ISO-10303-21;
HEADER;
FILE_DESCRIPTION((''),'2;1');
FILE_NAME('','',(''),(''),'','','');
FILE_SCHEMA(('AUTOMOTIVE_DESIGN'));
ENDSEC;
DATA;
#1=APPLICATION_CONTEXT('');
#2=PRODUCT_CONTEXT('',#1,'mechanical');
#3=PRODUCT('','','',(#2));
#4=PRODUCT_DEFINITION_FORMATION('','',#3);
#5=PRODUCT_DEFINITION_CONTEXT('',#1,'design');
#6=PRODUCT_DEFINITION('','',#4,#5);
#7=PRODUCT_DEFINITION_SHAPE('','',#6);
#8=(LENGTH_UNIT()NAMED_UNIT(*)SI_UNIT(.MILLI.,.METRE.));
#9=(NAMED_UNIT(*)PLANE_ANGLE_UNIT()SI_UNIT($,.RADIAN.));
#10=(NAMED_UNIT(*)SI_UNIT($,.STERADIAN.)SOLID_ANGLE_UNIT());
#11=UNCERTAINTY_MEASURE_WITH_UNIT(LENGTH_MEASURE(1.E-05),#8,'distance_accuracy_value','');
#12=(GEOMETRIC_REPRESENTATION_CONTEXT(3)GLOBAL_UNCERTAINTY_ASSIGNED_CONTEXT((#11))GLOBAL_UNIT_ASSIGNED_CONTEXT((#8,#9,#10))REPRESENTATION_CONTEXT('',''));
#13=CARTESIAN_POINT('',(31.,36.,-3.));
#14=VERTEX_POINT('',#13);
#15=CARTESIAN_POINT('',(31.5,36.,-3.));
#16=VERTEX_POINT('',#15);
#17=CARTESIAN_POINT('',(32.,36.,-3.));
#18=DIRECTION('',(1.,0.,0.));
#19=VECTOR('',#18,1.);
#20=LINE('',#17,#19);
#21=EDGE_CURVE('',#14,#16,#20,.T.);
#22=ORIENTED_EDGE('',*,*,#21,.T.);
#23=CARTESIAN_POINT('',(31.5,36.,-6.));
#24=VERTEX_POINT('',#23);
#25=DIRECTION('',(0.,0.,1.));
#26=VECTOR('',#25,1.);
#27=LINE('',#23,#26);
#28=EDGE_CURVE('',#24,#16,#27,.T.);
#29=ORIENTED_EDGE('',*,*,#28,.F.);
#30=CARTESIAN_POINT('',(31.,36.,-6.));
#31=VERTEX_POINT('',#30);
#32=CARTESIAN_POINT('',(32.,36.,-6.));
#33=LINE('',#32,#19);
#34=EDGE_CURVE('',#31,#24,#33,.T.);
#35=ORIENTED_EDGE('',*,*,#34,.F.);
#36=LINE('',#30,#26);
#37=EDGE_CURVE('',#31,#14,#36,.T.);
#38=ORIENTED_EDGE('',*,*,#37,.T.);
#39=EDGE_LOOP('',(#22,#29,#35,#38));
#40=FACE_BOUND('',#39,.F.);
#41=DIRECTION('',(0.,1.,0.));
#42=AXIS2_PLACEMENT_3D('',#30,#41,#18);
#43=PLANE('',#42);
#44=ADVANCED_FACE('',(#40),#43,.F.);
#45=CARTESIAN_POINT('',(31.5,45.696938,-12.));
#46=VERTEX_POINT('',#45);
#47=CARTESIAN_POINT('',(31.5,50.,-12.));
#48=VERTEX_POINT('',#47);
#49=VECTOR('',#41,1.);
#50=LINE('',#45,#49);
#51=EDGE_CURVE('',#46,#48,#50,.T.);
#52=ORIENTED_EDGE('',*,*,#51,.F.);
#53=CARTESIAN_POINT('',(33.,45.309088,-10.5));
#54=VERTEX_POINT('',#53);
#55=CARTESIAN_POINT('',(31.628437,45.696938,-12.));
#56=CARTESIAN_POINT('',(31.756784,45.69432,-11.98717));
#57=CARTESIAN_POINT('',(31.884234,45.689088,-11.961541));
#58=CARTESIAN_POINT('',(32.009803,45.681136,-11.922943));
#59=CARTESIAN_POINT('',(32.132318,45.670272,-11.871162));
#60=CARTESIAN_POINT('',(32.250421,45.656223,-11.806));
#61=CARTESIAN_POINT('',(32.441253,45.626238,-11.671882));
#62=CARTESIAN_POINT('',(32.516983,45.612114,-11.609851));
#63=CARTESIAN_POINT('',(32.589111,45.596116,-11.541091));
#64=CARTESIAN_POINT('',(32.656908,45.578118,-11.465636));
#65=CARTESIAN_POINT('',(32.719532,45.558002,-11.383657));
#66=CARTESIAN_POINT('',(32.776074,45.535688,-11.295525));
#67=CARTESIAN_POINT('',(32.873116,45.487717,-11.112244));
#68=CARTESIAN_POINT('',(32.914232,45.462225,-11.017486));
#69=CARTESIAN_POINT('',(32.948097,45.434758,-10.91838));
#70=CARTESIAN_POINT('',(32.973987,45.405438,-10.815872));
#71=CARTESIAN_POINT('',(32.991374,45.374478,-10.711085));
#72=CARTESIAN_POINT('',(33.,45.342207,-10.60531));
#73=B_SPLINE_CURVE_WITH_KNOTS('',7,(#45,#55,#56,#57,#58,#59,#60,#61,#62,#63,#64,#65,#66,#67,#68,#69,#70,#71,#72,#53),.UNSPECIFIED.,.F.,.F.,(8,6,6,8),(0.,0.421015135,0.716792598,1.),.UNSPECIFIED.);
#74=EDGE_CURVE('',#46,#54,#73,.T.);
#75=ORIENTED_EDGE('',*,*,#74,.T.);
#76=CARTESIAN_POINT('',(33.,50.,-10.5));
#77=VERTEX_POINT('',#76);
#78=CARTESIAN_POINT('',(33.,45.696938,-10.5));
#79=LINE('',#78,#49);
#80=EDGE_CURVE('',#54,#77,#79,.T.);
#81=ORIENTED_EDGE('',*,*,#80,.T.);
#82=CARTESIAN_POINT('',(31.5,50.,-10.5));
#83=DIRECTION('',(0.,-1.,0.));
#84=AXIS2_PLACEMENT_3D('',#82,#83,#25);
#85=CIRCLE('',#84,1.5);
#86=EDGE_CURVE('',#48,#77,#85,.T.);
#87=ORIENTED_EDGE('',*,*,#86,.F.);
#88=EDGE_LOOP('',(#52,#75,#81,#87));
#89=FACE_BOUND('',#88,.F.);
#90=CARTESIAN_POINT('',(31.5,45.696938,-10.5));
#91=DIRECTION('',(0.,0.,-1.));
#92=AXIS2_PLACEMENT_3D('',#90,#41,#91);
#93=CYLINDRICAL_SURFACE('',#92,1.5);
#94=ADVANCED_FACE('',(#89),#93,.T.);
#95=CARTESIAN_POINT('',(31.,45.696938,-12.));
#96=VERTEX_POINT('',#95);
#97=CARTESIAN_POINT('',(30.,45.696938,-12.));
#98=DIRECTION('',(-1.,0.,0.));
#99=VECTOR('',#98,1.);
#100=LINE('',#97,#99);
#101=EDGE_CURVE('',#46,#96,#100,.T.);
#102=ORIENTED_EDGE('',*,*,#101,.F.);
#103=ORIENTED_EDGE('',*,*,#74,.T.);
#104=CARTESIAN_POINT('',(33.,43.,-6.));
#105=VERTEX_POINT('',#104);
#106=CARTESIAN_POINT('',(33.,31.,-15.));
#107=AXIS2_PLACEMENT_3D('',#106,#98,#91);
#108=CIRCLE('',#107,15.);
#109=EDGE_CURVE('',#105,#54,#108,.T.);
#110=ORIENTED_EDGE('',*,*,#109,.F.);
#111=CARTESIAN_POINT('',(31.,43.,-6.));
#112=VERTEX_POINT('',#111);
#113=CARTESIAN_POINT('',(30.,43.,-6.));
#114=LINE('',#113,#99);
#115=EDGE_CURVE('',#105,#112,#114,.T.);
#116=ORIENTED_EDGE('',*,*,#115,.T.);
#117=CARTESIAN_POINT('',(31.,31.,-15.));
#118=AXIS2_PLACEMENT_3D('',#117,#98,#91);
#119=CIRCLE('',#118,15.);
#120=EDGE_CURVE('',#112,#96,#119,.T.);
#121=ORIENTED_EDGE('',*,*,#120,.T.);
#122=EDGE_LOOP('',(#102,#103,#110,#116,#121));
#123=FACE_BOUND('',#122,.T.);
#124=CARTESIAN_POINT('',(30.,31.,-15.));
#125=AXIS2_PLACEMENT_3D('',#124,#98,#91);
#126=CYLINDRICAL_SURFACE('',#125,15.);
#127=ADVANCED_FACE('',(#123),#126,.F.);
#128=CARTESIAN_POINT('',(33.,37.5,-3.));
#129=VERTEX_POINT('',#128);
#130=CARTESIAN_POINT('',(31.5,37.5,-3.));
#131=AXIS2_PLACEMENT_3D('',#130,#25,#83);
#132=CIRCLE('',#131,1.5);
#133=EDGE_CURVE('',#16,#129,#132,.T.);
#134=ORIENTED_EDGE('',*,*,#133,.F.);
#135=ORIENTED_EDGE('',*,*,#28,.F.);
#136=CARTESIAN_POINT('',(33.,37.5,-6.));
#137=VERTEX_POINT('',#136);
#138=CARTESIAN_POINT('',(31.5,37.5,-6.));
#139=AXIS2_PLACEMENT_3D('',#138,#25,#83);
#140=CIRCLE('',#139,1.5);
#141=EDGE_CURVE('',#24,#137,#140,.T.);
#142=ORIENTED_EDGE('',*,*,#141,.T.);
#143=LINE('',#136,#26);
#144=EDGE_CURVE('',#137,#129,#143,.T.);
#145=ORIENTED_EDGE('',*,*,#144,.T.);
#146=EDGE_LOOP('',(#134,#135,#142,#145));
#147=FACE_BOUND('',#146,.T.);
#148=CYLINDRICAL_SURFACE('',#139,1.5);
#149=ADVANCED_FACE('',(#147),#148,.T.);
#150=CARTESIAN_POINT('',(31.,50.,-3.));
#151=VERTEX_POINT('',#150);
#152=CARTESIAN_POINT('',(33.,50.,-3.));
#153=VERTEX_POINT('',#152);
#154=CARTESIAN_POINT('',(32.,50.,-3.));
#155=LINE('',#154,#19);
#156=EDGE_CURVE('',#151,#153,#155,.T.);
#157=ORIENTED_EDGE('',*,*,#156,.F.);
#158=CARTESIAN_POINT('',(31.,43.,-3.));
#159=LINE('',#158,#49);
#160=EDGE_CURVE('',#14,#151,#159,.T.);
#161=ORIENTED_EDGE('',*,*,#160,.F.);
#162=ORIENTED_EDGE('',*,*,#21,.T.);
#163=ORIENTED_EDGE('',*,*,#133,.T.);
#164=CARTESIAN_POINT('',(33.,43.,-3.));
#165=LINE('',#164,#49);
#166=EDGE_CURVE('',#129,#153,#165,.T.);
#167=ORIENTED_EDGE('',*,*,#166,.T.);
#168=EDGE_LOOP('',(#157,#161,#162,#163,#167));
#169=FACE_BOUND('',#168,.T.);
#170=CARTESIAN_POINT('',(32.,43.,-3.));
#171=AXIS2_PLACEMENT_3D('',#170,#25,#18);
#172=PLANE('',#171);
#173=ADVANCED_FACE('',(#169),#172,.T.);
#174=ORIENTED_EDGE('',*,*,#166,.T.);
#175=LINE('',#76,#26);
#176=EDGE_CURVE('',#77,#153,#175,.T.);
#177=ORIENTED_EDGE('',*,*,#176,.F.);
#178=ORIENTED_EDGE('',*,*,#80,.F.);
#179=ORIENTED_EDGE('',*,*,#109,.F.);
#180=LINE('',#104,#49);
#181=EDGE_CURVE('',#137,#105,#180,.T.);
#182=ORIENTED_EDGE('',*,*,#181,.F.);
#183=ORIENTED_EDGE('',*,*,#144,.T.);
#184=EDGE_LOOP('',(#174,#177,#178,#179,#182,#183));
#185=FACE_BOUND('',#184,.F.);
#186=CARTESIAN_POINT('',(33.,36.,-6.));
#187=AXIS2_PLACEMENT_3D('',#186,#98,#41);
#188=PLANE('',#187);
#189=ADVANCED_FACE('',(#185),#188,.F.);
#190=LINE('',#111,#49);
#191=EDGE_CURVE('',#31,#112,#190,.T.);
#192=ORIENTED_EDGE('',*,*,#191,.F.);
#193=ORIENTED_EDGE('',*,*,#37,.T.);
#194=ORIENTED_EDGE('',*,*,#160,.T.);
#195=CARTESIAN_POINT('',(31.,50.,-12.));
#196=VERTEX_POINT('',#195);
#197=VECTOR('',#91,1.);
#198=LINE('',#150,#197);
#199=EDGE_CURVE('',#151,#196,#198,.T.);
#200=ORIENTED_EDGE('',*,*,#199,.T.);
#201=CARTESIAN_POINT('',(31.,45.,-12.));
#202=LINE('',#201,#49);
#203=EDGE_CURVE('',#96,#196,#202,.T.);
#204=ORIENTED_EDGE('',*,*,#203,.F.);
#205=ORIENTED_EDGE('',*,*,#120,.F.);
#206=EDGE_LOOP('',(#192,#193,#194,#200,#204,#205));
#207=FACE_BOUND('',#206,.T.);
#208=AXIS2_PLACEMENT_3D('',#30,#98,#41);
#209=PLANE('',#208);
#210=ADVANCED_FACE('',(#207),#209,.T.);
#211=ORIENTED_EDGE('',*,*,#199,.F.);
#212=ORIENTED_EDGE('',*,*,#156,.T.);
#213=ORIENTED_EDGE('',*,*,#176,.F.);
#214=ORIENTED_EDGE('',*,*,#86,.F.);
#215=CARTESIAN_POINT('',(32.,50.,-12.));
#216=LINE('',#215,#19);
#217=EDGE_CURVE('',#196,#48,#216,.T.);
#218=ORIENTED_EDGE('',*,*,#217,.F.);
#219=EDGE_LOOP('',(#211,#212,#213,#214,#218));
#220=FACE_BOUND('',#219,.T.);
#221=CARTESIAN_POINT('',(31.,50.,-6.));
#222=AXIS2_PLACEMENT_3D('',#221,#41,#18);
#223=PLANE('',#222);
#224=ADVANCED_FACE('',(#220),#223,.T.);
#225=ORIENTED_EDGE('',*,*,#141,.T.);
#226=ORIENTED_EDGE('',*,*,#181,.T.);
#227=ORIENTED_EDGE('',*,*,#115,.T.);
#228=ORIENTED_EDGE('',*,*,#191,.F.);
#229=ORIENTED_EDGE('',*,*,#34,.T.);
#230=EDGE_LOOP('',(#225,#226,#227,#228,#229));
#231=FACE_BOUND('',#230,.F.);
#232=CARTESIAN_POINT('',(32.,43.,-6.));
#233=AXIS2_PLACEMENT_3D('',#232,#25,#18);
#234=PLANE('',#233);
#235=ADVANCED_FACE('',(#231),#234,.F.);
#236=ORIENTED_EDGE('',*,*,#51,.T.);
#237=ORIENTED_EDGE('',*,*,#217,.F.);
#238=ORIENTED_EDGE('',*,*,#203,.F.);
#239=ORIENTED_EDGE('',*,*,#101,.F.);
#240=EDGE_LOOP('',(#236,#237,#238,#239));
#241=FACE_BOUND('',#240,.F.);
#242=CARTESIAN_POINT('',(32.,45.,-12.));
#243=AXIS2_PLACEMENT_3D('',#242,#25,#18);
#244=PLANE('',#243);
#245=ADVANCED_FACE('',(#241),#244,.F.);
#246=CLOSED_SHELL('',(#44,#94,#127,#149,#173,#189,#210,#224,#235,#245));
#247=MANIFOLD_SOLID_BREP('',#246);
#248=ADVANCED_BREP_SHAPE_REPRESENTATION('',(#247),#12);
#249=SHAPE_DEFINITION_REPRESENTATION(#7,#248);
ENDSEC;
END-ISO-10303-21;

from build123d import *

# Parameters (mm, degrees)
BOX092_W          = 2
BOX092_H          = 14
BOX092_DEPTH      = 3
FILLET012_R       = 1.5
CYLINDER046_R     = 15
CYLINDER046_DEPTH = 4
BOX094_W          = 2
BOX094_H          = 10
BOX094_DEPTH      = 6
FILLET058_R       = 1.5


with BuildPart() as fillet012:
    # Box092 → Box092 (new body)
    with BuildSketch(Plane(origin=(31, 36, -6), x_dir=(1, 0, 0), z_dir=(0, 0, 1))):
        with Locations((1, 7)):
            Rectangle(BOX092_W, BOX092_H)
    extrude(amount=BOX092_DEPTH)

    # Fillet012
    fillet012_edges = [fillet012.edges().sort_by_distance(p)[0] for p in [
        (33, 36, -4.5),
    ]]
    fillet(fillet012_edges, radius=FILLET012_R)


with BuildPart() as cylinder130:
    # Cylinder046 → Cylinder046 (new body)
    with BuildSketch(Plane(origin=(30, 31, -15), x_dir=(0, 0, -1), z_dir=(1, 0, 0))):
        Circle(CYLINDER046_R)
    extrude(amount=CYLINDER046_DEPTH)


with BuildPart() as fusion073:
    # Box094 → Box094 (new body)
    with BuildSketch(Plane(origin=(31, 40, -12), x_dir=(1, 0, 0), z_dir=(0, 0, 1))):
        with Locations((1, 5)):
            Rectangle(BOX094_W, BOX094_H)
    extrude(amount=BOX094_DEPTH)

    # Cut121: cut Cylinder130
    add(cylinder130.part, mode=Mode.SUBTRACT)

    # Fillet058
    fillet058_edges = [fusion073.edges().sort_by_distance(p)[0] for p in [
        (33, 47.848469, -12),
    ]]
    fillet(fillet058_edges, radius=FILLET058_R)

    # Fusion073: union Fillet012
    add(fillet012.part)


solid = fusion073.part
